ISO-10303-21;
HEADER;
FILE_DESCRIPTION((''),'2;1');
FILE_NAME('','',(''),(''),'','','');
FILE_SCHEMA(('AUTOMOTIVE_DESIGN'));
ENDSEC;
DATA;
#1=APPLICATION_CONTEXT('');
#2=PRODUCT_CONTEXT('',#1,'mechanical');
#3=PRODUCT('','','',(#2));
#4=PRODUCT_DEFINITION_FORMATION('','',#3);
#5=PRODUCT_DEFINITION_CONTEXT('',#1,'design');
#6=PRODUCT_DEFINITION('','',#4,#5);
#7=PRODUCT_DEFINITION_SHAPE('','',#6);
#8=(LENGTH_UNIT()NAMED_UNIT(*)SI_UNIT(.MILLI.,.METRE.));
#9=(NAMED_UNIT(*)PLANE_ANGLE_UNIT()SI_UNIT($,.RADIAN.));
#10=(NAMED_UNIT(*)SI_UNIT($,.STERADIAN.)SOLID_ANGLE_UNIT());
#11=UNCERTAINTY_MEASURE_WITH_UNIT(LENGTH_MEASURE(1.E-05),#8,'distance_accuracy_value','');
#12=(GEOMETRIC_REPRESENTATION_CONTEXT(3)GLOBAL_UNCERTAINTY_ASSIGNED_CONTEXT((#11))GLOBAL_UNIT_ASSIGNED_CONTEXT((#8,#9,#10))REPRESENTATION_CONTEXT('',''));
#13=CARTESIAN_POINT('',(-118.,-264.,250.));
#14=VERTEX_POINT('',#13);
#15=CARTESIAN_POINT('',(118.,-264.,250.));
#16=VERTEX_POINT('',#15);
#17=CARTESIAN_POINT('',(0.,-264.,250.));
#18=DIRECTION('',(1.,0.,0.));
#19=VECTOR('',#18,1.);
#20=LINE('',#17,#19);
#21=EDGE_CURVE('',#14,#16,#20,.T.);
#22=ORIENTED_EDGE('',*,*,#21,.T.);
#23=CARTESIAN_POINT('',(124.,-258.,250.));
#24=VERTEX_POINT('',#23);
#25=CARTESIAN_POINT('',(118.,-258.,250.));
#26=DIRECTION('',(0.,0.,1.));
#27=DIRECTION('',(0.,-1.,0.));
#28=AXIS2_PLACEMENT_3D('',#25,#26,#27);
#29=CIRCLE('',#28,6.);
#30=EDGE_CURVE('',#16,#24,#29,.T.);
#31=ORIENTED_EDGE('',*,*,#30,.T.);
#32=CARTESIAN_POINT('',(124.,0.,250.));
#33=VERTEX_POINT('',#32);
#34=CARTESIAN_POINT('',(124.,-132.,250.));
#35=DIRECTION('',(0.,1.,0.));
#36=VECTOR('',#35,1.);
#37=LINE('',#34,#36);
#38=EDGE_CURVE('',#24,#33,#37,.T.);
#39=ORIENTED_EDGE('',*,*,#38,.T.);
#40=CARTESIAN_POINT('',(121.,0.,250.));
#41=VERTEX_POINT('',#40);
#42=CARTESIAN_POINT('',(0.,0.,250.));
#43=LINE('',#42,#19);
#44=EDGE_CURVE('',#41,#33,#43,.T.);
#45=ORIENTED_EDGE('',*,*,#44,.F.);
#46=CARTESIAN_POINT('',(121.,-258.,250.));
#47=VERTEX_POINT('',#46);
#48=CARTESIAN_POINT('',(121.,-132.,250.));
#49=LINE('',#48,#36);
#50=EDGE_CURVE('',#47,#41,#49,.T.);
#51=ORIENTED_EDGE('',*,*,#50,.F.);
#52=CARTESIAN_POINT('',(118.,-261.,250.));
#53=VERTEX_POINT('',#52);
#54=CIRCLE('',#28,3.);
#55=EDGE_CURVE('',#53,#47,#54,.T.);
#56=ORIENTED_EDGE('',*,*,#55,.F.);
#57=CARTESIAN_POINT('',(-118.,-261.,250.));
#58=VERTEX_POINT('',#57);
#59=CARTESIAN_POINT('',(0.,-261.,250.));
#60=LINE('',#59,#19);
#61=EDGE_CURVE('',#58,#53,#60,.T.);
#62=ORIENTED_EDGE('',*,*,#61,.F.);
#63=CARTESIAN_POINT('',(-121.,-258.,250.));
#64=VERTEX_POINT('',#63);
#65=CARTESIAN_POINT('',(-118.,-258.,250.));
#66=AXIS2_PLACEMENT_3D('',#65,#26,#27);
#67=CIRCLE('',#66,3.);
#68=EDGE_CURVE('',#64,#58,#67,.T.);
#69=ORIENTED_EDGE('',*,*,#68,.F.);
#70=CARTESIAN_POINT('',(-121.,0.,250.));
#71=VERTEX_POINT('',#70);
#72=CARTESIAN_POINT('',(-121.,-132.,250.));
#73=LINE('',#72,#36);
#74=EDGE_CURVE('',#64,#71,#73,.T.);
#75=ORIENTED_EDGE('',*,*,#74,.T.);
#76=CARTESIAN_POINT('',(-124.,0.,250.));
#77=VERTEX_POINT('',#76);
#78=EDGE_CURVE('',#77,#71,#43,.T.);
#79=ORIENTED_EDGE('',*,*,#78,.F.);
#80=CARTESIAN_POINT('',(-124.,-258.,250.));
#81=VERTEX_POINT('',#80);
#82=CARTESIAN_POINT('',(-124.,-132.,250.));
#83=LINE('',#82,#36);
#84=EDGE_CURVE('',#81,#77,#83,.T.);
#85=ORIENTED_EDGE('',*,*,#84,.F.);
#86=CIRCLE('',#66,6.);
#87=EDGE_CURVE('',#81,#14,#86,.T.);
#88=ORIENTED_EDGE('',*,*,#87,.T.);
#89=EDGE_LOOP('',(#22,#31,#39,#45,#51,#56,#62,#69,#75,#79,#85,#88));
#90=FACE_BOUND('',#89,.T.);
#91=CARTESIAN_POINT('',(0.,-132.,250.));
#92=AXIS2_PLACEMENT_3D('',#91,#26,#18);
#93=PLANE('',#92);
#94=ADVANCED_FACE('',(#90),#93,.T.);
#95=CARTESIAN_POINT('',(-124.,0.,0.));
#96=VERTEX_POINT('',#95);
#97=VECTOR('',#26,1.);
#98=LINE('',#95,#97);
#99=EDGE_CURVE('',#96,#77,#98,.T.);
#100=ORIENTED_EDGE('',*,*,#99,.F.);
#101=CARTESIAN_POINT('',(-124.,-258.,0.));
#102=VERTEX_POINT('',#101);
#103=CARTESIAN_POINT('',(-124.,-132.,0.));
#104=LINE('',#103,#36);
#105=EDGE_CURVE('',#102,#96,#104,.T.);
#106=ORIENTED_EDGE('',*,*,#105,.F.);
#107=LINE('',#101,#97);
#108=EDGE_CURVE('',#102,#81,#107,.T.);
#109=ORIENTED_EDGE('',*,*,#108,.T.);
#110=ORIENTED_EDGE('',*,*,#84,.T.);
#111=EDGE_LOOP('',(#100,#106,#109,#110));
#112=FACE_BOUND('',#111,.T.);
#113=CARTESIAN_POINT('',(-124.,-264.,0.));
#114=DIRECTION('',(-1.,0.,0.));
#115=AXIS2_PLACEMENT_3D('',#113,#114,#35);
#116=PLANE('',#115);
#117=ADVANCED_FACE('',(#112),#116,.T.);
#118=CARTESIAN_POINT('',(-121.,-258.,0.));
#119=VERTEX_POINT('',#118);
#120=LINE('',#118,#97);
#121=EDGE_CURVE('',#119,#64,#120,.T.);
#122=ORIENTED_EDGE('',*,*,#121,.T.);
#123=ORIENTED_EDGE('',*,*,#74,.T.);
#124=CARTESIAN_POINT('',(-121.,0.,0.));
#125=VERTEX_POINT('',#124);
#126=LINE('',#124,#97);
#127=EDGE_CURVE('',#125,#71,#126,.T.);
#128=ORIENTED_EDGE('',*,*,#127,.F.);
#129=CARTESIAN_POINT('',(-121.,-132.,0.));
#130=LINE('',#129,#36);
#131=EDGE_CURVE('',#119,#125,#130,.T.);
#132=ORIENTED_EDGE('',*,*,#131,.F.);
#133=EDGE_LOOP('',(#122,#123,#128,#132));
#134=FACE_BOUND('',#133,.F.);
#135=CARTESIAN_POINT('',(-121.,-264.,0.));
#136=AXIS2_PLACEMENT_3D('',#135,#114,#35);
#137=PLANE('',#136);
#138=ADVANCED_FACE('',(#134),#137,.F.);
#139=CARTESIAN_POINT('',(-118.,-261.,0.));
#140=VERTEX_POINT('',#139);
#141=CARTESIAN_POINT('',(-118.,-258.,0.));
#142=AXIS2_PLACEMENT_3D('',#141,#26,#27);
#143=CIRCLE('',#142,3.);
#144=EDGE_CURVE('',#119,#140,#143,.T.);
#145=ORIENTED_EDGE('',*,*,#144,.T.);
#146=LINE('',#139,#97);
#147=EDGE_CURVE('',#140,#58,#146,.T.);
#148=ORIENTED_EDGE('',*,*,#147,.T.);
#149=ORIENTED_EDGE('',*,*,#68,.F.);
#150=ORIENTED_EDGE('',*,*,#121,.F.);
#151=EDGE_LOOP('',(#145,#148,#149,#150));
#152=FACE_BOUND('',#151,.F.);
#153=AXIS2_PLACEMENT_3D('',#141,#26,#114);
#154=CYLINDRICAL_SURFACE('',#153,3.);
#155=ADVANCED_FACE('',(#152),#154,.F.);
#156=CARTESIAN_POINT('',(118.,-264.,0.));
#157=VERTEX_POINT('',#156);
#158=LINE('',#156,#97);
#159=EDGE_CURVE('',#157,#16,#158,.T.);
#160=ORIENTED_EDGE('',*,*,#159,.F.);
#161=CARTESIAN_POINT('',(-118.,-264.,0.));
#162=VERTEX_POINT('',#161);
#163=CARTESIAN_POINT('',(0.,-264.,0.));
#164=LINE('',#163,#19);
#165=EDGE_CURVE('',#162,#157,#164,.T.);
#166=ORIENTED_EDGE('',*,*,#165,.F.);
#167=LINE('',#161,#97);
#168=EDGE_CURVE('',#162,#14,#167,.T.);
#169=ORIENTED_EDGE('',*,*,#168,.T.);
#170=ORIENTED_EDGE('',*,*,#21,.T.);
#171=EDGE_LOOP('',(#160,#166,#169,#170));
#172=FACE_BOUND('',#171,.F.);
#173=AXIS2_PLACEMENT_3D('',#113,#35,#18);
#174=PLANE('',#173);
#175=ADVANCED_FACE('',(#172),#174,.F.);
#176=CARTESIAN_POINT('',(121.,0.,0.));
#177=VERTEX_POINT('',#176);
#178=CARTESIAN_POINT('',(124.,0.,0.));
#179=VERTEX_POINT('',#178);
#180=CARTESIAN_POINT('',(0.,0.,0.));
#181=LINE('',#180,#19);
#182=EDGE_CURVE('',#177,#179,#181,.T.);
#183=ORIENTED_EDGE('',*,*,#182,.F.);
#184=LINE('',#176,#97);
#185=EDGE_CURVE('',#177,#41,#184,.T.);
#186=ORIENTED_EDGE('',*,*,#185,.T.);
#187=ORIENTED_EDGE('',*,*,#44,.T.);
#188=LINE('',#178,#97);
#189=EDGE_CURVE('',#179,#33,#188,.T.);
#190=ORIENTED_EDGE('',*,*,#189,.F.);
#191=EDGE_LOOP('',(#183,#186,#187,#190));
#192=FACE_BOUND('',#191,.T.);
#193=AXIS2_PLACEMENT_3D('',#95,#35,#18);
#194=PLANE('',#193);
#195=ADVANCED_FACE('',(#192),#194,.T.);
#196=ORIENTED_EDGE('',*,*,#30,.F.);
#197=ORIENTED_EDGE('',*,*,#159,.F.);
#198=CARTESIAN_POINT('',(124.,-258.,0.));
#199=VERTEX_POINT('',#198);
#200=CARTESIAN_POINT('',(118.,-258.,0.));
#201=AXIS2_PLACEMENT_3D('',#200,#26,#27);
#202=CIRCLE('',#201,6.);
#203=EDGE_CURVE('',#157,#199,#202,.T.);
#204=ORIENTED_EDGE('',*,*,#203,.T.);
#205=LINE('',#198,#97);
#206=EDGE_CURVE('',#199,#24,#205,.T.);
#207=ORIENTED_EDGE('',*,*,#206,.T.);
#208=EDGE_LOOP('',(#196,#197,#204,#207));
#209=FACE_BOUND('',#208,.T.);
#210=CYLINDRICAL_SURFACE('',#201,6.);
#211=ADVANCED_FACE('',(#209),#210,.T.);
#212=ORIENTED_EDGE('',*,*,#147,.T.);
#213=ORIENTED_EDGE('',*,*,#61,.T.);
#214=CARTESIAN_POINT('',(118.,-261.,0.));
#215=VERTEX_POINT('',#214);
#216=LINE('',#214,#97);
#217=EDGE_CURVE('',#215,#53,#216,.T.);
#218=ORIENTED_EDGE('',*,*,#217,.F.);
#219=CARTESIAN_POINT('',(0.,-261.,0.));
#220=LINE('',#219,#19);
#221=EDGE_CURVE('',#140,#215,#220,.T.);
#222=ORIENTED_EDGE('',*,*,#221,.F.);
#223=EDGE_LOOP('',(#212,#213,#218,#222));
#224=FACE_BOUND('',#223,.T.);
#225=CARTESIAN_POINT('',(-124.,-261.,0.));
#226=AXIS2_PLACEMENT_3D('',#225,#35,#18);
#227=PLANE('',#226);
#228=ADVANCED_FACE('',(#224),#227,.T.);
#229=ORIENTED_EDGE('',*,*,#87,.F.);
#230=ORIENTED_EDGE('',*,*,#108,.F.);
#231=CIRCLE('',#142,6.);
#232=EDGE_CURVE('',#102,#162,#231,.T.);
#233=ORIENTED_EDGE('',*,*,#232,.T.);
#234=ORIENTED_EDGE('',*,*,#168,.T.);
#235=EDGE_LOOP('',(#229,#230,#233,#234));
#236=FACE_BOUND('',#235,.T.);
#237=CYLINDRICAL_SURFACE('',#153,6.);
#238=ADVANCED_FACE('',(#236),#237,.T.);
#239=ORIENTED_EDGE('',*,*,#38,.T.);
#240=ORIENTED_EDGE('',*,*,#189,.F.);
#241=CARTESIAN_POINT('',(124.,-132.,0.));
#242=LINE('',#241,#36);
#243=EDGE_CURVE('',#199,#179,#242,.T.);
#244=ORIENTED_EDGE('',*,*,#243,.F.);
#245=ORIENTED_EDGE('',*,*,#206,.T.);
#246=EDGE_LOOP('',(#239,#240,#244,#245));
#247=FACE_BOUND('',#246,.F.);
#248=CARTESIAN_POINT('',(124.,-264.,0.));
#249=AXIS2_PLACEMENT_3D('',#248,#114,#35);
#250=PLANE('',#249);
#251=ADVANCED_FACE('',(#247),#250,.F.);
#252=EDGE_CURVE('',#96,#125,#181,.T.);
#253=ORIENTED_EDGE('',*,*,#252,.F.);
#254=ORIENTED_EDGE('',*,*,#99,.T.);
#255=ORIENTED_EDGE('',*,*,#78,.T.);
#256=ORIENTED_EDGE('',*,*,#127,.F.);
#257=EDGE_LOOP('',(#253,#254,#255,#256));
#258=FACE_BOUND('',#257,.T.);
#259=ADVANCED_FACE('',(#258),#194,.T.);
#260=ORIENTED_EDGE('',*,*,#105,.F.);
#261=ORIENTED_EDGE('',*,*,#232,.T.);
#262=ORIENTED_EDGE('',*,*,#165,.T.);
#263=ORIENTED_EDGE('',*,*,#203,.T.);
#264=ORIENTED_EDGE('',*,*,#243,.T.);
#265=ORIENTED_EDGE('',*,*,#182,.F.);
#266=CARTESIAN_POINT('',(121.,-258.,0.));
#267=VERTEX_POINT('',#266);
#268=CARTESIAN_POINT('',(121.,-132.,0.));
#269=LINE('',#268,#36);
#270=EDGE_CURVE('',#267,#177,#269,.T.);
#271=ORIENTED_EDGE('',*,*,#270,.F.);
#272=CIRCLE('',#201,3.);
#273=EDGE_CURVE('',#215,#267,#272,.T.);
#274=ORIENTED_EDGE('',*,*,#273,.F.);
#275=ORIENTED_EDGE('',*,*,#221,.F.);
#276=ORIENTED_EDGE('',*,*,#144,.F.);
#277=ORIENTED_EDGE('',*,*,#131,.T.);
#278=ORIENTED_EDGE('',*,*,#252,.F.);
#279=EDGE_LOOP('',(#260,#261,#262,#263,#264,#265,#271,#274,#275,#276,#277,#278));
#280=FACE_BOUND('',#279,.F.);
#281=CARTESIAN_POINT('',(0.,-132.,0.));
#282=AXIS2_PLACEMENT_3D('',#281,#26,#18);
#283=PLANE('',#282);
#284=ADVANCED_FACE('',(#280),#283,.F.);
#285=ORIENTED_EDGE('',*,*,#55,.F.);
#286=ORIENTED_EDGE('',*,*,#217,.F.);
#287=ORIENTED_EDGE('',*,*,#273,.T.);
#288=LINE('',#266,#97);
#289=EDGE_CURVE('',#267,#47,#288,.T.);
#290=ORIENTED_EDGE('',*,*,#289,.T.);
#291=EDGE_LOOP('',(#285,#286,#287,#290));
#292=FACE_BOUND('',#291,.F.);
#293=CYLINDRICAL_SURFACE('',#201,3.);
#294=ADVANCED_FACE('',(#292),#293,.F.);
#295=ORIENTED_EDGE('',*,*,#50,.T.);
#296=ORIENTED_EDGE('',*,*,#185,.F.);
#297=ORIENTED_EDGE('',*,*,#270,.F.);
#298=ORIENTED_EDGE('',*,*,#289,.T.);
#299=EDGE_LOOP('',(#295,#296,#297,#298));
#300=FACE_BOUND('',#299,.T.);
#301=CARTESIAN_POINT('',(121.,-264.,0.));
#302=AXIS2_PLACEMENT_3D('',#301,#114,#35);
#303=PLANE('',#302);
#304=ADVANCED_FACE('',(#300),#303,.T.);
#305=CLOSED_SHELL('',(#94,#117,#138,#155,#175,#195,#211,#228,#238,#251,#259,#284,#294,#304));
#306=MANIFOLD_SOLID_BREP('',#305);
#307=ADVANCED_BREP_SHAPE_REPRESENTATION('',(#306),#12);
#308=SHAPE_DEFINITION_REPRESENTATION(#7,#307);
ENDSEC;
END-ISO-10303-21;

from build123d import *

# Parameters (mm, degrees)
SKETCH044_W    = 248
SKETCH044_H    = 264
PAD020_DEPTH   = 250
FILLET014_R    = 6
THICKNESS002_T = -3


with BuildPart() as part:
    # Sketch044 → Pad020 (new body)
    with BuildSketch(Plane.XY):
        with Locations((0, -132)):
            Rectangle(SKETCH044_W, SKETCH044_H)
    extrude(amount=PAD020_DEPTH)

    # Fillet014
    fillet014_edges = [part.edges().sort_by_distance(p)[0] for p in [
        (124, -264, 125),
        (-124, -264, 125),
    ]]
    fillet(fillet014_edges, radius=FILLET014_R)

    # Thickness002
    thickness002_openings = [part.faces().sort_by_distance(p)[0] for p in [
        (0, -131.969157, 250),
        (0, -131.969157, 0),
        (0, 0, 125),
    ]]
    offset(amount=THICKNESS002_T, openings=thickness002_openings)


solid = part.part
